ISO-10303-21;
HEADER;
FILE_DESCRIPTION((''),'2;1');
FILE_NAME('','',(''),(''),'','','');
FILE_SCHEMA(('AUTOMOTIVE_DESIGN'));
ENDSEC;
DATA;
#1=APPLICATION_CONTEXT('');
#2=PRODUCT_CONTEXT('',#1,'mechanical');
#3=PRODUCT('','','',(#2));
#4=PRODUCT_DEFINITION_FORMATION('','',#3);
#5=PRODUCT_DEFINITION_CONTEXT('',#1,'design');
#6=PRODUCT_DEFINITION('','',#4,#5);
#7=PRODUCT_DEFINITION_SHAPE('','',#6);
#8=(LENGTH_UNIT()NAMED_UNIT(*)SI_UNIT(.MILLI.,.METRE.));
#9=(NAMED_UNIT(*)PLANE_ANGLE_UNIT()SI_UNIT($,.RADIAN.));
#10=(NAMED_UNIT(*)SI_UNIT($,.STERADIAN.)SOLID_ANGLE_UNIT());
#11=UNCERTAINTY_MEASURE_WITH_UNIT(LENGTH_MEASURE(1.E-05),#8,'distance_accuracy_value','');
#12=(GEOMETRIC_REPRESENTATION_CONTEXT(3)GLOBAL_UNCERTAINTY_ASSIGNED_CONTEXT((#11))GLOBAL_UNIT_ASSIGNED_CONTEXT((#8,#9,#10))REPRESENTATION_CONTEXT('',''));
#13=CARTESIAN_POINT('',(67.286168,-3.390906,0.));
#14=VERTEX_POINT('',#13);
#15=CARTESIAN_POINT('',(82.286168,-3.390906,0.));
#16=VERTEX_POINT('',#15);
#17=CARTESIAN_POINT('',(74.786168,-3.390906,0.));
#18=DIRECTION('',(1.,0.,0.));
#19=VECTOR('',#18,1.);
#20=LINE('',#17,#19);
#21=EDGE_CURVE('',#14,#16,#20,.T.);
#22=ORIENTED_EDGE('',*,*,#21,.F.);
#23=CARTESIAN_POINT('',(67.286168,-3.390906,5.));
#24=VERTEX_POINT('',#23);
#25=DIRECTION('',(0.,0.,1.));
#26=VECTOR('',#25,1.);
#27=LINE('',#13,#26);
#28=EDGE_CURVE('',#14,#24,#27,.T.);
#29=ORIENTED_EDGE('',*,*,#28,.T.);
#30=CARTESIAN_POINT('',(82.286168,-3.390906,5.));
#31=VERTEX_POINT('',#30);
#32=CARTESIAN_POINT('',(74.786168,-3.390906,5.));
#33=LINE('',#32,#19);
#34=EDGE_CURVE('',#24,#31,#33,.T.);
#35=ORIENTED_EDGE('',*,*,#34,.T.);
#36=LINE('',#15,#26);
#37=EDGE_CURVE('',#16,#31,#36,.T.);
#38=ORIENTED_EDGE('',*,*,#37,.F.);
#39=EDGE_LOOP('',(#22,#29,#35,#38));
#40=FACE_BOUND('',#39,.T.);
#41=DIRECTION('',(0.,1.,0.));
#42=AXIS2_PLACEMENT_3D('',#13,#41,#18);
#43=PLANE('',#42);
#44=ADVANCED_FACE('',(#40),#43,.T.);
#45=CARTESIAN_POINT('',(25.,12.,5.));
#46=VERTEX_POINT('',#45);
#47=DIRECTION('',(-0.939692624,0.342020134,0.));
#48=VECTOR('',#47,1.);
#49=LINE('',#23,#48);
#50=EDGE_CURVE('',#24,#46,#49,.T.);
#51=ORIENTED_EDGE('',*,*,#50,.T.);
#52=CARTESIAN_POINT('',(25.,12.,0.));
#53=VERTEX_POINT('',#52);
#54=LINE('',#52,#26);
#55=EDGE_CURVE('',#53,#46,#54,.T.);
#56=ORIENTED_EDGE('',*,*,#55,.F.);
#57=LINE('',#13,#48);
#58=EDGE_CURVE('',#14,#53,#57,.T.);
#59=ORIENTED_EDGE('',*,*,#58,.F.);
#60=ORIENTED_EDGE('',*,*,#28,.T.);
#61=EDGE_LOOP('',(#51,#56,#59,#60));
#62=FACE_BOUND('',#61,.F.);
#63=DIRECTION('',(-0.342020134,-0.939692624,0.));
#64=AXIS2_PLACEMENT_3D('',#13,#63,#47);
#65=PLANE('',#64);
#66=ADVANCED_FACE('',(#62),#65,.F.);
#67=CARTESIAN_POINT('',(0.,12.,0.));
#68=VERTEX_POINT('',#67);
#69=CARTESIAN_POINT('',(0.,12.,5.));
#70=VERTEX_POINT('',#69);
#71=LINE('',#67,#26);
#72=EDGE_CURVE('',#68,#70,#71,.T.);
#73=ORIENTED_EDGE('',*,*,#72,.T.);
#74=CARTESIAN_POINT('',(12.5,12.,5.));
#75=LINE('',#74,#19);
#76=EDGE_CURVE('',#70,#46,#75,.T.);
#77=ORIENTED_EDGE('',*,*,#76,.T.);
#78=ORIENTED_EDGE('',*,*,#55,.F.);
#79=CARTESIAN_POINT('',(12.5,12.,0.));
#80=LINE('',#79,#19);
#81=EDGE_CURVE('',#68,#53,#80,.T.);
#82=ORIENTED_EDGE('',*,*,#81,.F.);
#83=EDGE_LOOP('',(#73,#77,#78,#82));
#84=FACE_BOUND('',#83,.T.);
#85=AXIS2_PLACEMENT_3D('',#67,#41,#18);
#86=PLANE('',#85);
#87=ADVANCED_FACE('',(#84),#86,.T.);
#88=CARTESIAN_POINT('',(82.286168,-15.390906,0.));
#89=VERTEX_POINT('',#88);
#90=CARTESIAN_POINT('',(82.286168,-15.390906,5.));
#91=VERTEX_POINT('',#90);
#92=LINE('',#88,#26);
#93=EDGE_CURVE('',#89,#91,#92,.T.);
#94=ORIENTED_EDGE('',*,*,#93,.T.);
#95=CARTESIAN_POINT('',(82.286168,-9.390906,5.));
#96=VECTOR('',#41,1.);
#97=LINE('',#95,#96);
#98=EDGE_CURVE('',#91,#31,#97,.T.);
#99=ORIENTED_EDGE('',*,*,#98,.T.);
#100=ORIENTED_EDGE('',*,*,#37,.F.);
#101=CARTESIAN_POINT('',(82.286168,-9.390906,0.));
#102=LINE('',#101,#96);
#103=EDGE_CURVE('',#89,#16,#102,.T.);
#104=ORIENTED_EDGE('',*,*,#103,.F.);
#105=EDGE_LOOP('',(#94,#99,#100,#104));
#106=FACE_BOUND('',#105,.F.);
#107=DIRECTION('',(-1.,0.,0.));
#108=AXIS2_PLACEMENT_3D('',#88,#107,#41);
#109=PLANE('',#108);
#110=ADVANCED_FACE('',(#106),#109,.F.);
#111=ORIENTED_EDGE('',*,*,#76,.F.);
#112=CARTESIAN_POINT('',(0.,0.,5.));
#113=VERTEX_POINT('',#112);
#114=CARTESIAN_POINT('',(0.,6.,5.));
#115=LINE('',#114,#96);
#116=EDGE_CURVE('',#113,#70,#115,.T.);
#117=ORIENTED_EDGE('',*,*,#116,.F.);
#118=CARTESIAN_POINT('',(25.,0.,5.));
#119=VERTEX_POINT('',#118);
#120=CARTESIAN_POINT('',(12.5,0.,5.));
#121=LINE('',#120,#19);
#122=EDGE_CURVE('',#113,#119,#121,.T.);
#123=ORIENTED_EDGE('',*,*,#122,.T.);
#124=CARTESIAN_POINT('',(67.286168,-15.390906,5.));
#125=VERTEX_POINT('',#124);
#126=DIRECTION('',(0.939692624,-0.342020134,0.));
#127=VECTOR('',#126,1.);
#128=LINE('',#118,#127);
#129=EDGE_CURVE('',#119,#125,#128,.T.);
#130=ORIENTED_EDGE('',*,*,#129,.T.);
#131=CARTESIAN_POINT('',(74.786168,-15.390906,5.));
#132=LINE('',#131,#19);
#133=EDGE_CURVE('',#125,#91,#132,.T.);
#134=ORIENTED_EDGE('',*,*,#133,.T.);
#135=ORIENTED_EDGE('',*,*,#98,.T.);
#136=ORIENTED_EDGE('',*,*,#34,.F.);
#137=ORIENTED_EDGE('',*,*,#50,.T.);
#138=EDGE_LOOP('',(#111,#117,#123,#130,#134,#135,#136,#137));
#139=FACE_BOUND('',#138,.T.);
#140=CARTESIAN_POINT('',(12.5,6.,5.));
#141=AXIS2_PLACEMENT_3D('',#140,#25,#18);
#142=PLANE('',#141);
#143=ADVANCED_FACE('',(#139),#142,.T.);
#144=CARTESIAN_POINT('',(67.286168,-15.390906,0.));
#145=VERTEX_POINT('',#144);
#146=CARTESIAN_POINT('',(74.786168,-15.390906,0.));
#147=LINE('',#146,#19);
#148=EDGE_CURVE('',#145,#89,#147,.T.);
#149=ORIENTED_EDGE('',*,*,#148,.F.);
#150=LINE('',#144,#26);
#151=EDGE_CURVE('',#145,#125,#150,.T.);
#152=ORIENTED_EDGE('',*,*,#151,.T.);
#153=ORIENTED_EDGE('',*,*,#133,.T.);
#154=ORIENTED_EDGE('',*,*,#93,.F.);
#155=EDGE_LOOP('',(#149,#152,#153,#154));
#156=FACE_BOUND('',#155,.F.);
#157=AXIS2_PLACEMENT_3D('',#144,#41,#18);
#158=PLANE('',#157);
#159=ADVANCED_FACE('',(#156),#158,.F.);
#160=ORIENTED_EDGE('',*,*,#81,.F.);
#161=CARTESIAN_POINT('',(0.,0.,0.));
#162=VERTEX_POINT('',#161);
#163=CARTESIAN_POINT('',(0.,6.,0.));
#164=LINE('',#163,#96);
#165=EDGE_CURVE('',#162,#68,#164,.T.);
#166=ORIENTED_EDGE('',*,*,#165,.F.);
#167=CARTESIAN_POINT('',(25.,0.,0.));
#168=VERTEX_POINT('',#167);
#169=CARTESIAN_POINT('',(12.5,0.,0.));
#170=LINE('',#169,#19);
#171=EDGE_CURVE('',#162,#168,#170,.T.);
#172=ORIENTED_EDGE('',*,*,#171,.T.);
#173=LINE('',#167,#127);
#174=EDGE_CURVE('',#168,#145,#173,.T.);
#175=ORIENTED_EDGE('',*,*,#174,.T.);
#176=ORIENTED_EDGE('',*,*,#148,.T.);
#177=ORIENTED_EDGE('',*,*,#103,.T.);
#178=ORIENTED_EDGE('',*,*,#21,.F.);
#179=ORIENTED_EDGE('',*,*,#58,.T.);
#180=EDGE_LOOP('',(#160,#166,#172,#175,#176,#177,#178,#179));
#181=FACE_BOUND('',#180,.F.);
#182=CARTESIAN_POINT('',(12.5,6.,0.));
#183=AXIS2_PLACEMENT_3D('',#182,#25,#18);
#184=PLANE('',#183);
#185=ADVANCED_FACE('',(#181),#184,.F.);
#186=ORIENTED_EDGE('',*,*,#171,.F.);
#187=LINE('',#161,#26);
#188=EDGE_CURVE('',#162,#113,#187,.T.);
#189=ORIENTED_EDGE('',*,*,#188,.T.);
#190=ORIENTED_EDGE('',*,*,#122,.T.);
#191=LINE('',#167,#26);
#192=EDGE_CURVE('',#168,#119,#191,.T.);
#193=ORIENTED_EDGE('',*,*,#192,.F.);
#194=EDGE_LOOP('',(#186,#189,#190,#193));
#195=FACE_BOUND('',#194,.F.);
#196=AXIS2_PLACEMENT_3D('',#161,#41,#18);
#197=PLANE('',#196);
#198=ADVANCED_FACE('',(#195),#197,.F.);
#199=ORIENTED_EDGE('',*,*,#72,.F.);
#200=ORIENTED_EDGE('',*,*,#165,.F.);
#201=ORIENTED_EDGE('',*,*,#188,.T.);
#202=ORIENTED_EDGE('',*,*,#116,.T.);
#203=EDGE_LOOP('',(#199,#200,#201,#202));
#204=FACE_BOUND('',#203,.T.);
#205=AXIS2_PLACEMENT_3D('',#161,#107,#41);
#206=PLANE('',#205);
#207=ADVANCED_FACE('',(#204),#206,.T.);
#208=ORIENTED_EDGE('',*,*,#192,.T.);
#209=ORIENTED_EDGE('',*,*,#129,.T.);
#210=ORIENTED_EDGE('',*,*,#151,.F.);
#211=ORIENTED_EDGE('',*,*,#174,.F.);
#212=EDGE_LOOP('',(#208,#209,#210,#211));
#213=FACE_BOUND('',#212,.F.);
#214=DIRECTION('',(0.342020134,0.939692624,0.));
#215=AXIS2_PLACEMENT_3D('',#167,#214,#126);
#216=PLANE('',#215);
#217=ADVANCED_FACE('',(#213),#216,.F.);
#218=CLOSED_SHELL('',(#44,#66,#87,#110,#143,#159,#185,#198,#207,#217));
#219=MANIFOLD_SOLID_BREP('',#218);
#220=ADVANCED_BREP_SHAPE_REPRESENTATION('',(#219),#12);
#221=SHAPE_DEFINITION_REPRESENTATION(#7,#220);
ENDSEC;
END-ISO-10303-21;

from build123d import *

# Parameters (mm, degrees)
F0_W     = 25
F0_H     = 12
F0_W_2   = 15
F1_DEPTH = 5


with BuildPart() as f1:
    # F0 (on Top) → F1 (new body)
    with BuildSketch(Plane.XY):
        with Locations((12.5, 6)):
            Rectangle(F0_W, F0_H)
        Polygon((67.286168, -3.390906), (25, 12), (25, 0), (67.286168, -15.390906), align=None)
        with Locations((74.786168, -9.390906)):
            Rectangle(F0_W_2, F0_H)
    extrude(amount=F1_DEPTH)


solid = f1.part
